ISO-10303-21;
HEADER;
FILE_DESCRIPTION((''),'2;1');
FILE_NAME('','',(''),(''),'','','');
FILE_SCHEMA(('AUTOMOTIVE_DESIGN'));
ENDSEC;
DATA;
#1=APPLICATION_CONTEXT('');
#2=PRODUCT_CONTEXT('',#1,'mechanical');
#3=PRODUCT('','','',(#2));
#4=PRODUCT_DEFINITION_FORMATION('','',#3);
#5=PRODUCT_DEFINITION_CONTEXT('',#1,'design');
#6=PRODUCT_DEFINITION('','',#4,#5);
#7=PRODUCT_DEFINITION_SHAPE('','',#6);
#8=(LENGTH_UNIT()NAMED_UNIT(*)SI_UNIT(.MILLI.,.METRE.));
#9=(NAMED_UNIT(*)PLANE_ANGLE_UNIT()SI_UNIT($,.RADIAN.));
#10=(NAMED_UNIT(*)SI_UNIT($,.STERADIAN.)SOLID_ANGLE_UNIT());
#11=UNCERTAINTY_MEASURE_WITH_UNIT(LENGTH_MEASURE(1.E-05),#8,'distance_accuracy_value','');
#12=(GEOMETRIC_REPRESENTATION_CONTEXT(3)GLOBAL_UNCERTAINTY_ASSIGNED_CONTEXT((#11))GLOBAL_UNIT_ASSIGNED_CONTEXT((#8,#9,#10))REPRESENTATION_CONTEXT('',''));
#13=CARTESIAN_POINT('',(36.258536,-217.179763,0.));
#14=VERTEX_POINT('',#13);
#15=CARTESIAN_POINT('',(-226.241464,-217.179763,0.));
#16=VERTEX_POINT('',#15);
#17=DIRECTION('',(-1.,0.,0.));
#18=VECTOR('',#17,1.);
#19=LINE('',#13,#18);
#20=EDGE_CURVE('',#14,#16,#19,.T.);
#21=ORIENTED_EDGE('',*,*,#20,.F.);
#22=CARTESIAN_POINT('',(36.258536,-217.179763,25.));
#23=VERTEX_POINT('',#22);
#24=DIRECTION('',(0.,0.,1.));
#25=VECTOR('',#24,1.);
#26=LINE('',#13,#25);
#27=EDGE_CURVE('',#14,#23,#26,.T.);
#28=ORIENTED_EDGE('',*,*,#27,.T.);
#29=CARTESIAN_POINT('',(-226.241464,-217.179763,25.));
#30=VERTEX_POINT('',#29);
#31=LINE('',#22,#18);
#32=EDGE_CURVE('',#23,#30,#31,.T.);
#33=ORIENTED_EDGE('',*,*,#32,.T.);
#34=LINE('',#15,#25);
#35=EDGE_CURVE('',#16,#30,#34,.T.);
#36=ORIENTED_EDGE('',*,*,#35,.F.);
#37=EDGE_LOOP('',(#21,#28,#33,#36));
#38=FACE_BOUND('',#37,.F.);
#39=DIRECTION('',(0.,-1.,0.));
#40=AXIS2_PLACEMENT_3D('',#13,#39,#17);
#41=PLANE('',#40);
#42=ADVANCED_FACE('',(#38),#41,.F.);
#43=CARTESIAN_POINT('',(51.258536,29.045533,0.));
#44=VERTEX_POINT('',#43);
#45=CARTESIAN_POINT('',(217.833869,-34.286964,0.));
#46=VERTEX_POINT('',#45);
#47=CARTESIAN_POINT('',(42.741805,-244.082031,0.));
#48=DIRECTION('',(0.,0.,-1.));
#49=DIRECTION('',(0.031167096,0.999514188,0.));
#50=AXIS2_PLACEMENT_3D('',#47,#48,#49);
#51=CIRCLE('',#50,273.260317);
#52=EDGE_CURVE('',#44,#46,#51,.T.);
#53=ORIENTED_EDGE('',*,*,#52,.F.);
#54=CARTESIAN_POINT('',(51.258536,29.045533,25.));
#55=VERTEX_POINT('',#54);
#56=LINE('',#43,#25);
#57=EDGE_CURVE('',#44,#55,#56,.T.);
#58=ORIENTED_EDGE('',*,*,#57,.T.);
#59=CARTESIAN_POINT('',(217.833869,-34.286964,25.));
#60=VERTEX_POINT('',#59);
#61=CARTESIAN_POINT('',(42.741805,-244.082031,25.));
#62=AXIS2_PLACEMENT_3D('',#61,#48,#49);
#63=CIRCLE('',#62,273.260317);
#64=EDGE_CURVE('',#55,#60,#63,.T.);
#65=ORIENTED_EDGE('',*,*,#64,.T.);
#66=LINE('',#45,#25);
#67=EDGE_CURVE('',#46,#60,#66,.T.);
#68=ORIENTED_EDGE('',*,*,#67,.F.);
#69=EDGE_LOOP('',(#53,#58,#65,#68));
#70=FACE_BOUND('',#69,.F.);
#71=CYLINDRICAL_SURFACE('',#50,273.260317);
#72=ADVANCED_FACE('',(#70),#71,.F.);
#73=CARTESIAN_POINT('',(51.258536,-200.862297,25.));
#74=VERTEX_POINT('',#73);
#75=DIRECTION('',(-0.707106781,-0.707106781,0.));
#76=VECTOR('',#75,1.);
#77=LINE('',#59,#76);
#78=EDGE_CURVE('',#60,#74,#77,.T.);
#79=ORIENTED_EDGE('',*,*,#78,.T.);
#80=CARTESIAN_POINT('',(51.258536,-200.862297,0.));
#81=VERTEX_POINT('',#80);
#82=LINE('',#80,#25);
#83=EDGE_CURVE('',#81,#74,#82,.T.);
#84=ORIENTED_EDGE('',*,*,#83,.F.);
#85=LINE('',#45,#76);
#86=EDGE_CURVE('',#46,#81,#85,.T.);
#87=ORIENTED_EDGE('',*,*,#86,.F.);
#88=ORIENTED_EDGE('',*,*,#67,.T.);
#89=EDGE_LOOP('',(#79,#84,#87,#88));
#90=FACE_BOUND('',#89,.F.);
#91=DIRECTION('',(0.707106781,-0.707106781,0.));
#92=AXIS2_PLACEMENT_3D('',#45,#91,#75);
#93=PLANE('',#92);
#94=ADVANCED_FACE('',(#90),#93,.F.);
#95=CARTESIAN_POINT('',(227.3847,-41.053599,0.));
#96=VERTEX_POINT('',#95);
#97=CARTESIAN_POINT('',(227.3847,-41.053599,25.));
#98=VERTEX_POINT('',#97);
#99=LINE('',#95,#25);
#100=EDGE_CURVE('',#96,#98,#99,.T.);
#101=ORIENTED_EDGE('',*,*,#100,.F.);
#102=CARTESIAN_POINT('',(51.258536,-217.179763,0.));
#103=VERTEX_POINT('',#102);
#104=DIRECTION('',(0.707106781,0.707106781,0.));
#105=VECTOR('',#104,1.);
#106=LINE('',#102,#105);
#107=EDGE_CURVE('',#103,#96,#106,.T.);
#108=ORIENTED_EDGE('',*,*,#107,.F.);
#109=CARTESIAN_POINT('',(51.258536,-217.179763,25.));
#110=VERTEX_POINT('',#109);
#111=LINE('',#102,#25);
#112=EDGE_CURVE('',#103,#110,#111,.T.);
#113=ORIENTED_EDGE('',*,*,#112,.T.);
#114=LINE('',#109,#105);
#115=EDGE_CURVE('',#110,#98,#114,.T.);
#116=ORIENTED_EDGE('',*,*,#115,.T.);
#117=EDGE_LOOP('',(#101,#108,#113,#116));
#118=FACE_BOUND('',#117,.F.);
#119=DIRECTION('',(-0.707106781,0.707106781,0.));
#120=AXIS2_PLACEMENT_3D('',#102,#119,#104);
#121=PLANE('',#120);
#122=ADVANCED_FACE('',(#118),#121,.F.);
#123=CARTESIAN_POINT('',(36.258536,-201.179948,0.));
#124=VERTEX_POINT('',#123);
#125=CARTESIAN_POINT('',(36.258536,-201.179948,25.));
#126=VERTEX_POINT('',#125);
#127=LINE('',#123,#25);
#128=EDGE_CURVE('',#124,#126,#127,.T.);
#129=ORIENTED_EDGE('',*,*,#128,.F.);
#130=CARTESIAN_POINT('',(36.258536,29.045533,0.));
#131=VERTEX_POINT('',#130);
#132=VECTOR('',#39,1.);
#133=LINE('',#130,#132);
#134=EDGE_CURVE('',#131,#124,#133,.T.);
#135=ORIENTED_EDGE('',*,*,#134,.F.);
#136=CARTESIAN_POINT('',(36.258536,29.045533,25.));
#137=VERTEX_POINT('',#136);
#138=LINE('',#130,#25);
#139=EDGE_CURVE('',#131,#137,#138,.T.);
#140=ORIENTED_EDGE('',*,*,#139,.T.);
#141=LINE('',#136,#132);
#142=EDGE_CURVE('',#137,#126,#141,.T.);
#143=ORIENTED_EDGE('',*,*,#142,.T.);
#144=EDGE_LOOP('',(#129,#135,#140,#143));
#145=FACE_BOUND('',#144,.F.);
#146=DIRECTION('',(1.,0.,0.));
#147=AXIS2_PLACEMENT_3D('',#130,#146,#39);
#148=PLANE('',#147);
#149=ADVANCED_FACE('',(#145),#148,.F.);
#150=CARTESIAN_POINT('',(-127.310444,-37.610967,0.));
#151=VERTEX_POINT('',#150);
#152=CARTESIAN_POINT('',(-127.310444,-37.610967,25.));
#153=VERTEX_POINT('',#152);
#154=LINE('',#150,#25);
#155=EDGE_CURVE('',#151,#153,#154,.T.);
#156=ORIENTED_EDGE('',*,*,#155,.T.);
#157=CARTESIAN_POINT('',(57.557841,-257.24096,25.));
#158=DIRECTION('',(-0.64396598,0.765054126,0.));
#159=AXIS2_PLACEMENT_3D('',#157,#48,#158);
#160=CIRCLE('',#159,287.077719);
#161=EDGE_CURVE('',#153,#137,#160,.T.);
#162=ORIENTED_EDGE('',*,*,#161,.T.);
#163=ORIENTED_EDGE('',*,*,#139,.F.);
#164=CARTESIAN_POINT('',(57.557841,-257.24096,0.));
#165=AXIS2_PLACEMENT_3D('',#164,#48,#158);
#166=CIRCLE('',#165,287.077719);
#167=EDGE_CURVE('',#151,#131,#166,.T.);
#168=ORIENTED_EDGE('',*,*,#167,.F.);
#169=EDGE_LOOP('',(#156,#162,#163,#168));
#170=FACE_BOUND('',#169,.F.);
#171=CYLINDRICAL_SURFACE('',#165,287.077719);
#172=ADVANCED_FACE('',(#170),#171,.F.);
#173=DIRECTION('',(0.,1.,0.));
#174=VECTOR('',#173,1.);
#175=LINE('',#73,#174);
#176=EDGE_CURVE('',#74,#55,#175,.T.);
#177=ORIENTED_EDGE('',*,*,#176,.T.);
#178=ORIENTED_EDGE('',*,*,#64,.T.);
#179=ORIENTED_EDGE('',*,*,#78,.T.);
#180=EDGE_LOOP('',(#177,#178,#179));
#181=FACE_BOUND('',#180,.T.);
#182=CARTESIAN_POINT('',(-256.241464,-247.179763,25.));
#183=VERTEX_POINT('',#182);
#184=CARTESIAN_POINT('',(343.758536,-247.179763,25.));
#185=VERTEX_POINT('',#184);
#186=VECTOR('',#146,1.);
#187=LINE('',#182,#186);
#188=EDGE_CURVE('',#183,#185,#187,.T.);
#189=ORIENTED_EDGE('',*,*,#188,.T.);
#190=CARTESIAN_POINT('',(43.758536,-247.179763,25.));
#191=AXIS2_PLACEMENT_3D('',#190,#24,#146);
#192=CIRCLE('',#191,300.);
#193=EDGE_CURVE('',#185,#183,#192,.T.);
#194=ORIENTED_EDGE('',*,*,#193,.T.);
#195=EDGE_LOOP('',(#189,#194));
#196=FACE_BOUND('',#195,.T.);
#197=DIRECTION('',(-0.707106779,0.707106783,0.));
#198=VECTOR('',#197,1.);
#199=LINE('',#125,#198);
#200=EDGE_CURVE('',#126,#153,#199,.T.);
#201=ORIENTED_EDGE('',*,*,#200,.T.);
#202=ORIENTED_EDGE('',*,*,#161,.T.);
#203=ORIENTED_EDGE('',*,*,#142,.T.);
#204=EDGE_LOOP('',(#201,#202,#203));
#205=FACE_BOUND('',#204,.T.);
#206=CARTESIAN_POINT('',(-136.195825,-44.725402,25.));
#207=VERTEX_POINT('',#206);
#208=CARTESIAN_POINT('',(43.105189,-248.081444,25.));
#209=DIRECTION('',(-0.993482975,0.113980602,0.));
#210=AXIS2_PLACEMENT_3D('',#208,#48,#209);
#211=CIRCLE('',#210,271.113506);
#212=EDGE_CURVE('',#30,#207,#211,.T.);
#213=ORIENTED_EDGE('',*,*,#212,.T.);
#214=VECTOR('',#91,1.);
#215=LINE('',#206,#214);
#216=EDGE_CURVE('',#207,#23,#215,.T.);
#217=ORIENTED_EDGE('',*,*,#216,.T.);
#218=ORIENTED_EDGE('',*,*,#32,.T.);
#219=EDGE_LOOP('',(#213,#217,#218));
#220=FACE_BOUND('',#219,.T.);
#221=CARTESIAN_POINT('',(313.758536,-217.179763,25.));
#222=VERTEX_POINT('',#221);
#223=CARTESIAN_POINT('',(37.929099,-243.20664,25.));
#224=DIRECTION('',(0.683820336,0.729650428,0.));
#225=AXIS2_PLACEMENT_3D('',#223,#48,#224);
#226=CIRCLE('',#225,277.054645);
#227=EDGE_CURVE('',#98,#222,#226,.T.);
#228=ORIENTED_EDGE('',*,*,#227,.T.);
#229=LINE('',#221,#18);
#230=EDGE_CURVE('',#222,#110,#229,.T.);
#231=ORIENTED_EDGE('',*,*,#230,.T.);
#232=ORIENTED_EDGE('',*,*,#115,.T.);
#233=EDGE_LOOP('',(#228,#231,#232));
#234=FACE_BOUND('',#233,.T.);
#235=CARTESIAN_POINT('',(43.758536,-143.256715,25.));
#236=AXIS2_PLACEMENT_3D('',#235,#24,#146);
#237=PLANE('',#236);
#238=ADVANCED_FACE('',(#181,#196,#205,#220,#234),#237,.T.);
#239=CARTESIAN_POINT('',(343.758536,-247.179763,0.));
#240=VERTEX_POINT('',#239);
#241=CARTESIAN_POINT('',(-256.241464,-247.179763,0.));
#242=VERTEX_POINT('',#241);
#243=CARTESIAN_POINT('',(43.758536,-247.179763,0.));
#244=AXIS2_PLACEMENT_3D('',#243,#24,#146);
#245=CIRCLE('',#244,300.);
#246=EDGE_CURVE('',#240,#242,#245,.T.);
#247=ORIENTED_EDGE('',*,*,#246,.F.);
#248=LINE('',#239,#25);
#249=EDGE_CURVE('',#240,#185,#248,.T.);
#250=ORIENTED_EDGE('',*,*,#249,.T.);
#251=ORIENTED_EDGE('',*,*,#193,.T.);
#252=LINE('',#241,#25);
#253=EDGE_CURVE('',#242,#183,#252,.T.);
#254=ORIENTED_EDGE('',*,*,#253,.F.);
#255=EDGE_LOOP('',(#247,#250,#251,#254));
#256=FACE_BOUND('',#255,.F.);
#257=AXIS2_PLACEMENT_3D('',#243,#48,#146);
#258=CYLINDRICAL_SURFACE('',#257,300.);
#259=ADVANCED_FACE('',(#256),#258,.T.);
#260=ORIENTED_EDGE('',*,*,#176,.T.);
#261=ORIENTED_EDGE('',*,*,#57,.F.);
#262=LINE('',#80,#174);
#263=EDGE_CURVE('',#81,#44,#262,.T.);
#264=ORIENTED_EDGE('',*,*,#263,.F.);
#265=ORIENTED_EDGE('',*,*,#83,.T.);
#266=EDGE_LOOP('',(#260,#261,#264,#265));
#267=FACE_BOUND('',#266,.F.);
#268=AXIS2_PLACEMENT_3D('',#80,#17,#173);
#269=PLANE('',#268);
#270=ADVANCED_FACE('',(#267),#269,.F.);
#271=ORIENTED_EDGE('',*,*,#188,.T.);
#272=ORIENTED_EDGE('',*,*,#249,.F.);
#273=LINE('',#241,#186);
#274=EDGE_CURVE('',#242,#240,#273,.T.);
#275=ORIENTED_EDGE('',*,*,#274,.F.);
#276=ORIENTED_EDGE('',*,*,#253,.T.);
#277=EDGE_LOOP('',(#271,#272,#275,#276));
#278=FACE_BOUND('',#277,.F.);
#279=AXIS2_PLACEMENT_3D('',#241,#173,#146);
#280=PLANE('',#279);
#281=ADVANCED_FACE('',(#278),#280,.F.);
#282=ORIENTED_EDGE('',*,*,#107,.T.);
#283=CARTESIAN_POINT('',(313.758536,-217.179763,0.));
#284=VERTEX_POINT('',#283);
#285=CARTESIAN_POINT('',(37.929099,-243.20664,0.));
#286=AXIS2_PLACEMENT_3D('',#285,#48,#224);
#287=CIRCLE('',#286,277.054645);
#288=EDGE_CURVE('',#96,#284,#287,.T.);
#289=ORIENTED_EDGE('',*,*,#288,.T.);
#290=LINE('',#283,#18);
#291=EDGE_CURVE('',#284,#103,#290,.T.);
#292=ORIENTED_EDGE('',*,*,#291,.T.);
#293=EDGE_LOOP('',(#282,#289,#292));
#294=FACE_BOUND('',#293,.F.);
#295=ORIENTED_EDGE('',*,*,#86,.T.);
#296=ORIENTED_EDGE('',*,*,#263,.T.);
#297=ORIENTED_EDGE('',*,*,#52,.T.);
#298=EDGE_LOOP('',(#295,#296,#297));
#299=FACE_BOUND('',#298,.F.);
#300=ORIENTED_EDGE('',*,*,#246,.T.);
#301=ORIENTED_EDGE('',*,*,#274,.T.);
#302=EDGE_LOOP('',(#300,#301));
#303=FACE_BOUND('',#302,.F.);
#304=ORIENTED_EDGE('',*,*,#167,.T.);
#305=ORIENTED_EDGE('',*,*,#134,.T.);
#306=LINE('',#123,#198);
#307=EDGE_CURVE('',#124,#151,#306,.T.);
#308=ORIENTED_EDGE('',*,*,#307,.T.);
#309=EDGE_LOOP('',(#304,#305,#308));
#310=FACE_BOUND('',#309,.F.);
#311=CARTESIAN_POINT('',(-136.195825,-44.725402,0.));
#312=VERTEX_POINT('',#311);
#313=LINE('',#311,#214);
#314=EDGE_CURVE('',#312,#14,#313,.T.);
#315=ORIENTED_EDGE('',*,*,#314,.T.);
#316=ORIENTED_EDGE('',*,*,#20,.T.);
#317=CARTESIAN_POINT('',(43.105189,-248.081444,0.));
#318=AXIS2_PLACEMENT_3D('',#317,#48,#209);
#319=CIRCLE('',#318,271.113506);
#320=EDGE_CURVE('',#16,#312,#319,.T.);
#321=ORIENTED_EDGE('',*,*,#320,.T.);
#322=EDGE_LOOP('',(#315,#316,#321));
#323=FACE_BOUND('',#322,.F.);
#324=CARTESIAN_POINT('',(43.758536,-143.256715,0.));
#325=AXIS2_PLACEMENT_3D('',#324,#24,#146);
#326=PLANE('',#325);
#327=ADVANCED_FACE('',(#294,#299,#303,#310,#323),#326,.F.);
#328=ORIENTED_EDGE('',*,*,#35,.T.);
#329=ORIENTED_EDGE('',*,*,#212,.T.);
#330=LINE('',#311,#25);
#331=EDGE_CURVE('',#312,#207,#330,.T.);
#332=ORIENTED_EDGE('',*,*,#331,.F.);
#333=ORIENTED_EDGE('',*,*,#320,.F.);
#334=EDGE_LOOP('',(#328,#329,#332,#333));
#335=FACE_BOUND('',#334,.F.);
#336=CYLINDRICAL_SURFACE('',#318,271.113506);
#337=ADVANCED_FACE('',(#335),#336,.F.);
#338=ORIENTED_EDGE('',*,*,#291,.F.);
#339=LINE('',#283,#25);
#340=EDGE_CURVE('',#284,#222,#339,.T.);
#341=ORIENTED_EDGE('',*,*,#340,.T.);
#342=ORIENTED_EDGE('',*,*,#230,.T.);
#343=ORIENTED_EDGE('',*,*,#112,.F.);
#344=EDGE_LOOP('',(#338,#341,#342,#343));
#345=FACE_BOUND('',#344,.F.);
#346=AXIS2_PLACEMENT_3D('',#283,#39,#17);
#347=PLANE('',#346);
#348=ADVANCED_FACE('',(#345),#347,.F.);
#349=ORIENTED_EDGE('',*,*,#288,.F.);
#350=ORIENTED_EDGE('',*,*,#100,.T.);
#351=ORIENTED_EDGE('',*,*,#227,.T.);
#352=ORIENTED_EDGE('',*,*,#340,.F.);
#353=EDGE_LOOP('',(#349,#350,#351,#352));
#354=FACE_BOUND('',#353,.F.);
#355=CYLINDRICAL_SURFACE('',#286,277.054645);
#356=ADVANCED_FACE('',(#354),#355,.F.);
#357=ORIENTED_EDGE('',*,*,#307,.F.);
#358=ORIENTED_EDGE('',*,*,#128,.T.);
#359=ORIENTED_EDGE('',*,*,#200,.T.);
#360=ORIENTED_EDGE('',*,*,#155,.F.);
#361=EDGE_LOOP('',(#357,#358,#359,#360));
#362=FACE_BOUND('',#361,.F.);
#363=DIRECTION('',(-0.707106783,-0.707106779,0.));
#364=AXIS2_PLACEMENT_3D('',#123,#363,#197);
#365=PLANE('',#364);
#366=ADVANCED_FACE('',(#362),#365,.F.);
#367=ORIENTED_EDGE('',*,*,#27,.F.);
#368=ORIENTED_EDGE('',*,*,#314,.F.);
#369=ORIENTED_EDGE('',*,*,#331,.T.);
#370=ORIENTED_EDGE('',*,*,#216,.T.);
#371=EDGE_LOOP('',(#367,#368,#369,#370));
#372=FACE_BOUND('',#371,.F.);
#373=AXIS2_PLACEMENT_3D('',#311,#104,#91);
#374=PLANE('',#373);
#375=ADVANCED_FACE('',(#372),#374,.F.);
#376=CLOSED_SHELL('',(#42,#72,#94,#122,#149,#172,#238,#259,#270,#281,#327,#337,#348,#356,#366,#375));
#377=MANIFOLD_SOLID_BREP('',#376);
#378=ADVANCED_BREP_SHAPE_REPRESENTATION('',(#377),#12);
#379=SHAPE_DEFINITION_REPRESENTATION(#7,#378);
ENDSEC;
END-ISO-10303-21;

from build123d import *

# Parameters (mm, degrees)
F1_DEPTH = 25


with BuildPart() as f1:
    # F0 (on Top) → F1 (new body)
    with BuildSketch(Plane.XY):
        with BuildLine():
            Line((-256.241464, -247.179763), (343.758536, -247.179763))
            ThreePointArc((343.758536, -247.179763), (43.758536, 52.820237), (-256.241464, -247.179763))
        make_face()
        with BuildLine():
            Line((-136.195825, -44.725402), (36.258536, -217.179763))
            Line((36.258536, -217.179763), (-226.241464, -217.179763))
            ThreePointArc((-226.241464, -217.179763), (-197.220234, -122.597483), (-136.195825, -44.725402))
        make_face(mode=Mode.SUBTRACT)
        with BuildLine():
            Line((313.758536, -217.179763), (51.258536, -217.179763))
            Line((51.258536, -217.179763), (227.3847, -41.053599))
            ThreePointArc((227.3847, -41.053599), (286.681281, -121.216359), (313.758536, -217.179763))
        make_face(mode=Mode.SUBTRACT)
        with BuildLine():
            Line((36.258536, 29.045533), (36.258536, -201.179948))
            Line((36.258536, -201.179948), (-127.310444, -37.610967))
            ThreePointArc((-127.310444, -37.610967), (-50.779784, 8.609704), (36.258536, 29.045533))
        make_face(mode=Mode.SUBTRACT)
        with BuildLine():
            Line((217.833869, -34.286964), (51.258536, -200.862297))
            Line((51.258536, -200.862297), (51.258536, 29.045533))
            ThreePointArc((51.258536, 29.045533), (139.854105, 11.339977), (217.833869, -34.286964))
        make_face(mode=Mode.SUBTRACT)
    extrude(amount=F1_DEPTH)


solid = f1.part
